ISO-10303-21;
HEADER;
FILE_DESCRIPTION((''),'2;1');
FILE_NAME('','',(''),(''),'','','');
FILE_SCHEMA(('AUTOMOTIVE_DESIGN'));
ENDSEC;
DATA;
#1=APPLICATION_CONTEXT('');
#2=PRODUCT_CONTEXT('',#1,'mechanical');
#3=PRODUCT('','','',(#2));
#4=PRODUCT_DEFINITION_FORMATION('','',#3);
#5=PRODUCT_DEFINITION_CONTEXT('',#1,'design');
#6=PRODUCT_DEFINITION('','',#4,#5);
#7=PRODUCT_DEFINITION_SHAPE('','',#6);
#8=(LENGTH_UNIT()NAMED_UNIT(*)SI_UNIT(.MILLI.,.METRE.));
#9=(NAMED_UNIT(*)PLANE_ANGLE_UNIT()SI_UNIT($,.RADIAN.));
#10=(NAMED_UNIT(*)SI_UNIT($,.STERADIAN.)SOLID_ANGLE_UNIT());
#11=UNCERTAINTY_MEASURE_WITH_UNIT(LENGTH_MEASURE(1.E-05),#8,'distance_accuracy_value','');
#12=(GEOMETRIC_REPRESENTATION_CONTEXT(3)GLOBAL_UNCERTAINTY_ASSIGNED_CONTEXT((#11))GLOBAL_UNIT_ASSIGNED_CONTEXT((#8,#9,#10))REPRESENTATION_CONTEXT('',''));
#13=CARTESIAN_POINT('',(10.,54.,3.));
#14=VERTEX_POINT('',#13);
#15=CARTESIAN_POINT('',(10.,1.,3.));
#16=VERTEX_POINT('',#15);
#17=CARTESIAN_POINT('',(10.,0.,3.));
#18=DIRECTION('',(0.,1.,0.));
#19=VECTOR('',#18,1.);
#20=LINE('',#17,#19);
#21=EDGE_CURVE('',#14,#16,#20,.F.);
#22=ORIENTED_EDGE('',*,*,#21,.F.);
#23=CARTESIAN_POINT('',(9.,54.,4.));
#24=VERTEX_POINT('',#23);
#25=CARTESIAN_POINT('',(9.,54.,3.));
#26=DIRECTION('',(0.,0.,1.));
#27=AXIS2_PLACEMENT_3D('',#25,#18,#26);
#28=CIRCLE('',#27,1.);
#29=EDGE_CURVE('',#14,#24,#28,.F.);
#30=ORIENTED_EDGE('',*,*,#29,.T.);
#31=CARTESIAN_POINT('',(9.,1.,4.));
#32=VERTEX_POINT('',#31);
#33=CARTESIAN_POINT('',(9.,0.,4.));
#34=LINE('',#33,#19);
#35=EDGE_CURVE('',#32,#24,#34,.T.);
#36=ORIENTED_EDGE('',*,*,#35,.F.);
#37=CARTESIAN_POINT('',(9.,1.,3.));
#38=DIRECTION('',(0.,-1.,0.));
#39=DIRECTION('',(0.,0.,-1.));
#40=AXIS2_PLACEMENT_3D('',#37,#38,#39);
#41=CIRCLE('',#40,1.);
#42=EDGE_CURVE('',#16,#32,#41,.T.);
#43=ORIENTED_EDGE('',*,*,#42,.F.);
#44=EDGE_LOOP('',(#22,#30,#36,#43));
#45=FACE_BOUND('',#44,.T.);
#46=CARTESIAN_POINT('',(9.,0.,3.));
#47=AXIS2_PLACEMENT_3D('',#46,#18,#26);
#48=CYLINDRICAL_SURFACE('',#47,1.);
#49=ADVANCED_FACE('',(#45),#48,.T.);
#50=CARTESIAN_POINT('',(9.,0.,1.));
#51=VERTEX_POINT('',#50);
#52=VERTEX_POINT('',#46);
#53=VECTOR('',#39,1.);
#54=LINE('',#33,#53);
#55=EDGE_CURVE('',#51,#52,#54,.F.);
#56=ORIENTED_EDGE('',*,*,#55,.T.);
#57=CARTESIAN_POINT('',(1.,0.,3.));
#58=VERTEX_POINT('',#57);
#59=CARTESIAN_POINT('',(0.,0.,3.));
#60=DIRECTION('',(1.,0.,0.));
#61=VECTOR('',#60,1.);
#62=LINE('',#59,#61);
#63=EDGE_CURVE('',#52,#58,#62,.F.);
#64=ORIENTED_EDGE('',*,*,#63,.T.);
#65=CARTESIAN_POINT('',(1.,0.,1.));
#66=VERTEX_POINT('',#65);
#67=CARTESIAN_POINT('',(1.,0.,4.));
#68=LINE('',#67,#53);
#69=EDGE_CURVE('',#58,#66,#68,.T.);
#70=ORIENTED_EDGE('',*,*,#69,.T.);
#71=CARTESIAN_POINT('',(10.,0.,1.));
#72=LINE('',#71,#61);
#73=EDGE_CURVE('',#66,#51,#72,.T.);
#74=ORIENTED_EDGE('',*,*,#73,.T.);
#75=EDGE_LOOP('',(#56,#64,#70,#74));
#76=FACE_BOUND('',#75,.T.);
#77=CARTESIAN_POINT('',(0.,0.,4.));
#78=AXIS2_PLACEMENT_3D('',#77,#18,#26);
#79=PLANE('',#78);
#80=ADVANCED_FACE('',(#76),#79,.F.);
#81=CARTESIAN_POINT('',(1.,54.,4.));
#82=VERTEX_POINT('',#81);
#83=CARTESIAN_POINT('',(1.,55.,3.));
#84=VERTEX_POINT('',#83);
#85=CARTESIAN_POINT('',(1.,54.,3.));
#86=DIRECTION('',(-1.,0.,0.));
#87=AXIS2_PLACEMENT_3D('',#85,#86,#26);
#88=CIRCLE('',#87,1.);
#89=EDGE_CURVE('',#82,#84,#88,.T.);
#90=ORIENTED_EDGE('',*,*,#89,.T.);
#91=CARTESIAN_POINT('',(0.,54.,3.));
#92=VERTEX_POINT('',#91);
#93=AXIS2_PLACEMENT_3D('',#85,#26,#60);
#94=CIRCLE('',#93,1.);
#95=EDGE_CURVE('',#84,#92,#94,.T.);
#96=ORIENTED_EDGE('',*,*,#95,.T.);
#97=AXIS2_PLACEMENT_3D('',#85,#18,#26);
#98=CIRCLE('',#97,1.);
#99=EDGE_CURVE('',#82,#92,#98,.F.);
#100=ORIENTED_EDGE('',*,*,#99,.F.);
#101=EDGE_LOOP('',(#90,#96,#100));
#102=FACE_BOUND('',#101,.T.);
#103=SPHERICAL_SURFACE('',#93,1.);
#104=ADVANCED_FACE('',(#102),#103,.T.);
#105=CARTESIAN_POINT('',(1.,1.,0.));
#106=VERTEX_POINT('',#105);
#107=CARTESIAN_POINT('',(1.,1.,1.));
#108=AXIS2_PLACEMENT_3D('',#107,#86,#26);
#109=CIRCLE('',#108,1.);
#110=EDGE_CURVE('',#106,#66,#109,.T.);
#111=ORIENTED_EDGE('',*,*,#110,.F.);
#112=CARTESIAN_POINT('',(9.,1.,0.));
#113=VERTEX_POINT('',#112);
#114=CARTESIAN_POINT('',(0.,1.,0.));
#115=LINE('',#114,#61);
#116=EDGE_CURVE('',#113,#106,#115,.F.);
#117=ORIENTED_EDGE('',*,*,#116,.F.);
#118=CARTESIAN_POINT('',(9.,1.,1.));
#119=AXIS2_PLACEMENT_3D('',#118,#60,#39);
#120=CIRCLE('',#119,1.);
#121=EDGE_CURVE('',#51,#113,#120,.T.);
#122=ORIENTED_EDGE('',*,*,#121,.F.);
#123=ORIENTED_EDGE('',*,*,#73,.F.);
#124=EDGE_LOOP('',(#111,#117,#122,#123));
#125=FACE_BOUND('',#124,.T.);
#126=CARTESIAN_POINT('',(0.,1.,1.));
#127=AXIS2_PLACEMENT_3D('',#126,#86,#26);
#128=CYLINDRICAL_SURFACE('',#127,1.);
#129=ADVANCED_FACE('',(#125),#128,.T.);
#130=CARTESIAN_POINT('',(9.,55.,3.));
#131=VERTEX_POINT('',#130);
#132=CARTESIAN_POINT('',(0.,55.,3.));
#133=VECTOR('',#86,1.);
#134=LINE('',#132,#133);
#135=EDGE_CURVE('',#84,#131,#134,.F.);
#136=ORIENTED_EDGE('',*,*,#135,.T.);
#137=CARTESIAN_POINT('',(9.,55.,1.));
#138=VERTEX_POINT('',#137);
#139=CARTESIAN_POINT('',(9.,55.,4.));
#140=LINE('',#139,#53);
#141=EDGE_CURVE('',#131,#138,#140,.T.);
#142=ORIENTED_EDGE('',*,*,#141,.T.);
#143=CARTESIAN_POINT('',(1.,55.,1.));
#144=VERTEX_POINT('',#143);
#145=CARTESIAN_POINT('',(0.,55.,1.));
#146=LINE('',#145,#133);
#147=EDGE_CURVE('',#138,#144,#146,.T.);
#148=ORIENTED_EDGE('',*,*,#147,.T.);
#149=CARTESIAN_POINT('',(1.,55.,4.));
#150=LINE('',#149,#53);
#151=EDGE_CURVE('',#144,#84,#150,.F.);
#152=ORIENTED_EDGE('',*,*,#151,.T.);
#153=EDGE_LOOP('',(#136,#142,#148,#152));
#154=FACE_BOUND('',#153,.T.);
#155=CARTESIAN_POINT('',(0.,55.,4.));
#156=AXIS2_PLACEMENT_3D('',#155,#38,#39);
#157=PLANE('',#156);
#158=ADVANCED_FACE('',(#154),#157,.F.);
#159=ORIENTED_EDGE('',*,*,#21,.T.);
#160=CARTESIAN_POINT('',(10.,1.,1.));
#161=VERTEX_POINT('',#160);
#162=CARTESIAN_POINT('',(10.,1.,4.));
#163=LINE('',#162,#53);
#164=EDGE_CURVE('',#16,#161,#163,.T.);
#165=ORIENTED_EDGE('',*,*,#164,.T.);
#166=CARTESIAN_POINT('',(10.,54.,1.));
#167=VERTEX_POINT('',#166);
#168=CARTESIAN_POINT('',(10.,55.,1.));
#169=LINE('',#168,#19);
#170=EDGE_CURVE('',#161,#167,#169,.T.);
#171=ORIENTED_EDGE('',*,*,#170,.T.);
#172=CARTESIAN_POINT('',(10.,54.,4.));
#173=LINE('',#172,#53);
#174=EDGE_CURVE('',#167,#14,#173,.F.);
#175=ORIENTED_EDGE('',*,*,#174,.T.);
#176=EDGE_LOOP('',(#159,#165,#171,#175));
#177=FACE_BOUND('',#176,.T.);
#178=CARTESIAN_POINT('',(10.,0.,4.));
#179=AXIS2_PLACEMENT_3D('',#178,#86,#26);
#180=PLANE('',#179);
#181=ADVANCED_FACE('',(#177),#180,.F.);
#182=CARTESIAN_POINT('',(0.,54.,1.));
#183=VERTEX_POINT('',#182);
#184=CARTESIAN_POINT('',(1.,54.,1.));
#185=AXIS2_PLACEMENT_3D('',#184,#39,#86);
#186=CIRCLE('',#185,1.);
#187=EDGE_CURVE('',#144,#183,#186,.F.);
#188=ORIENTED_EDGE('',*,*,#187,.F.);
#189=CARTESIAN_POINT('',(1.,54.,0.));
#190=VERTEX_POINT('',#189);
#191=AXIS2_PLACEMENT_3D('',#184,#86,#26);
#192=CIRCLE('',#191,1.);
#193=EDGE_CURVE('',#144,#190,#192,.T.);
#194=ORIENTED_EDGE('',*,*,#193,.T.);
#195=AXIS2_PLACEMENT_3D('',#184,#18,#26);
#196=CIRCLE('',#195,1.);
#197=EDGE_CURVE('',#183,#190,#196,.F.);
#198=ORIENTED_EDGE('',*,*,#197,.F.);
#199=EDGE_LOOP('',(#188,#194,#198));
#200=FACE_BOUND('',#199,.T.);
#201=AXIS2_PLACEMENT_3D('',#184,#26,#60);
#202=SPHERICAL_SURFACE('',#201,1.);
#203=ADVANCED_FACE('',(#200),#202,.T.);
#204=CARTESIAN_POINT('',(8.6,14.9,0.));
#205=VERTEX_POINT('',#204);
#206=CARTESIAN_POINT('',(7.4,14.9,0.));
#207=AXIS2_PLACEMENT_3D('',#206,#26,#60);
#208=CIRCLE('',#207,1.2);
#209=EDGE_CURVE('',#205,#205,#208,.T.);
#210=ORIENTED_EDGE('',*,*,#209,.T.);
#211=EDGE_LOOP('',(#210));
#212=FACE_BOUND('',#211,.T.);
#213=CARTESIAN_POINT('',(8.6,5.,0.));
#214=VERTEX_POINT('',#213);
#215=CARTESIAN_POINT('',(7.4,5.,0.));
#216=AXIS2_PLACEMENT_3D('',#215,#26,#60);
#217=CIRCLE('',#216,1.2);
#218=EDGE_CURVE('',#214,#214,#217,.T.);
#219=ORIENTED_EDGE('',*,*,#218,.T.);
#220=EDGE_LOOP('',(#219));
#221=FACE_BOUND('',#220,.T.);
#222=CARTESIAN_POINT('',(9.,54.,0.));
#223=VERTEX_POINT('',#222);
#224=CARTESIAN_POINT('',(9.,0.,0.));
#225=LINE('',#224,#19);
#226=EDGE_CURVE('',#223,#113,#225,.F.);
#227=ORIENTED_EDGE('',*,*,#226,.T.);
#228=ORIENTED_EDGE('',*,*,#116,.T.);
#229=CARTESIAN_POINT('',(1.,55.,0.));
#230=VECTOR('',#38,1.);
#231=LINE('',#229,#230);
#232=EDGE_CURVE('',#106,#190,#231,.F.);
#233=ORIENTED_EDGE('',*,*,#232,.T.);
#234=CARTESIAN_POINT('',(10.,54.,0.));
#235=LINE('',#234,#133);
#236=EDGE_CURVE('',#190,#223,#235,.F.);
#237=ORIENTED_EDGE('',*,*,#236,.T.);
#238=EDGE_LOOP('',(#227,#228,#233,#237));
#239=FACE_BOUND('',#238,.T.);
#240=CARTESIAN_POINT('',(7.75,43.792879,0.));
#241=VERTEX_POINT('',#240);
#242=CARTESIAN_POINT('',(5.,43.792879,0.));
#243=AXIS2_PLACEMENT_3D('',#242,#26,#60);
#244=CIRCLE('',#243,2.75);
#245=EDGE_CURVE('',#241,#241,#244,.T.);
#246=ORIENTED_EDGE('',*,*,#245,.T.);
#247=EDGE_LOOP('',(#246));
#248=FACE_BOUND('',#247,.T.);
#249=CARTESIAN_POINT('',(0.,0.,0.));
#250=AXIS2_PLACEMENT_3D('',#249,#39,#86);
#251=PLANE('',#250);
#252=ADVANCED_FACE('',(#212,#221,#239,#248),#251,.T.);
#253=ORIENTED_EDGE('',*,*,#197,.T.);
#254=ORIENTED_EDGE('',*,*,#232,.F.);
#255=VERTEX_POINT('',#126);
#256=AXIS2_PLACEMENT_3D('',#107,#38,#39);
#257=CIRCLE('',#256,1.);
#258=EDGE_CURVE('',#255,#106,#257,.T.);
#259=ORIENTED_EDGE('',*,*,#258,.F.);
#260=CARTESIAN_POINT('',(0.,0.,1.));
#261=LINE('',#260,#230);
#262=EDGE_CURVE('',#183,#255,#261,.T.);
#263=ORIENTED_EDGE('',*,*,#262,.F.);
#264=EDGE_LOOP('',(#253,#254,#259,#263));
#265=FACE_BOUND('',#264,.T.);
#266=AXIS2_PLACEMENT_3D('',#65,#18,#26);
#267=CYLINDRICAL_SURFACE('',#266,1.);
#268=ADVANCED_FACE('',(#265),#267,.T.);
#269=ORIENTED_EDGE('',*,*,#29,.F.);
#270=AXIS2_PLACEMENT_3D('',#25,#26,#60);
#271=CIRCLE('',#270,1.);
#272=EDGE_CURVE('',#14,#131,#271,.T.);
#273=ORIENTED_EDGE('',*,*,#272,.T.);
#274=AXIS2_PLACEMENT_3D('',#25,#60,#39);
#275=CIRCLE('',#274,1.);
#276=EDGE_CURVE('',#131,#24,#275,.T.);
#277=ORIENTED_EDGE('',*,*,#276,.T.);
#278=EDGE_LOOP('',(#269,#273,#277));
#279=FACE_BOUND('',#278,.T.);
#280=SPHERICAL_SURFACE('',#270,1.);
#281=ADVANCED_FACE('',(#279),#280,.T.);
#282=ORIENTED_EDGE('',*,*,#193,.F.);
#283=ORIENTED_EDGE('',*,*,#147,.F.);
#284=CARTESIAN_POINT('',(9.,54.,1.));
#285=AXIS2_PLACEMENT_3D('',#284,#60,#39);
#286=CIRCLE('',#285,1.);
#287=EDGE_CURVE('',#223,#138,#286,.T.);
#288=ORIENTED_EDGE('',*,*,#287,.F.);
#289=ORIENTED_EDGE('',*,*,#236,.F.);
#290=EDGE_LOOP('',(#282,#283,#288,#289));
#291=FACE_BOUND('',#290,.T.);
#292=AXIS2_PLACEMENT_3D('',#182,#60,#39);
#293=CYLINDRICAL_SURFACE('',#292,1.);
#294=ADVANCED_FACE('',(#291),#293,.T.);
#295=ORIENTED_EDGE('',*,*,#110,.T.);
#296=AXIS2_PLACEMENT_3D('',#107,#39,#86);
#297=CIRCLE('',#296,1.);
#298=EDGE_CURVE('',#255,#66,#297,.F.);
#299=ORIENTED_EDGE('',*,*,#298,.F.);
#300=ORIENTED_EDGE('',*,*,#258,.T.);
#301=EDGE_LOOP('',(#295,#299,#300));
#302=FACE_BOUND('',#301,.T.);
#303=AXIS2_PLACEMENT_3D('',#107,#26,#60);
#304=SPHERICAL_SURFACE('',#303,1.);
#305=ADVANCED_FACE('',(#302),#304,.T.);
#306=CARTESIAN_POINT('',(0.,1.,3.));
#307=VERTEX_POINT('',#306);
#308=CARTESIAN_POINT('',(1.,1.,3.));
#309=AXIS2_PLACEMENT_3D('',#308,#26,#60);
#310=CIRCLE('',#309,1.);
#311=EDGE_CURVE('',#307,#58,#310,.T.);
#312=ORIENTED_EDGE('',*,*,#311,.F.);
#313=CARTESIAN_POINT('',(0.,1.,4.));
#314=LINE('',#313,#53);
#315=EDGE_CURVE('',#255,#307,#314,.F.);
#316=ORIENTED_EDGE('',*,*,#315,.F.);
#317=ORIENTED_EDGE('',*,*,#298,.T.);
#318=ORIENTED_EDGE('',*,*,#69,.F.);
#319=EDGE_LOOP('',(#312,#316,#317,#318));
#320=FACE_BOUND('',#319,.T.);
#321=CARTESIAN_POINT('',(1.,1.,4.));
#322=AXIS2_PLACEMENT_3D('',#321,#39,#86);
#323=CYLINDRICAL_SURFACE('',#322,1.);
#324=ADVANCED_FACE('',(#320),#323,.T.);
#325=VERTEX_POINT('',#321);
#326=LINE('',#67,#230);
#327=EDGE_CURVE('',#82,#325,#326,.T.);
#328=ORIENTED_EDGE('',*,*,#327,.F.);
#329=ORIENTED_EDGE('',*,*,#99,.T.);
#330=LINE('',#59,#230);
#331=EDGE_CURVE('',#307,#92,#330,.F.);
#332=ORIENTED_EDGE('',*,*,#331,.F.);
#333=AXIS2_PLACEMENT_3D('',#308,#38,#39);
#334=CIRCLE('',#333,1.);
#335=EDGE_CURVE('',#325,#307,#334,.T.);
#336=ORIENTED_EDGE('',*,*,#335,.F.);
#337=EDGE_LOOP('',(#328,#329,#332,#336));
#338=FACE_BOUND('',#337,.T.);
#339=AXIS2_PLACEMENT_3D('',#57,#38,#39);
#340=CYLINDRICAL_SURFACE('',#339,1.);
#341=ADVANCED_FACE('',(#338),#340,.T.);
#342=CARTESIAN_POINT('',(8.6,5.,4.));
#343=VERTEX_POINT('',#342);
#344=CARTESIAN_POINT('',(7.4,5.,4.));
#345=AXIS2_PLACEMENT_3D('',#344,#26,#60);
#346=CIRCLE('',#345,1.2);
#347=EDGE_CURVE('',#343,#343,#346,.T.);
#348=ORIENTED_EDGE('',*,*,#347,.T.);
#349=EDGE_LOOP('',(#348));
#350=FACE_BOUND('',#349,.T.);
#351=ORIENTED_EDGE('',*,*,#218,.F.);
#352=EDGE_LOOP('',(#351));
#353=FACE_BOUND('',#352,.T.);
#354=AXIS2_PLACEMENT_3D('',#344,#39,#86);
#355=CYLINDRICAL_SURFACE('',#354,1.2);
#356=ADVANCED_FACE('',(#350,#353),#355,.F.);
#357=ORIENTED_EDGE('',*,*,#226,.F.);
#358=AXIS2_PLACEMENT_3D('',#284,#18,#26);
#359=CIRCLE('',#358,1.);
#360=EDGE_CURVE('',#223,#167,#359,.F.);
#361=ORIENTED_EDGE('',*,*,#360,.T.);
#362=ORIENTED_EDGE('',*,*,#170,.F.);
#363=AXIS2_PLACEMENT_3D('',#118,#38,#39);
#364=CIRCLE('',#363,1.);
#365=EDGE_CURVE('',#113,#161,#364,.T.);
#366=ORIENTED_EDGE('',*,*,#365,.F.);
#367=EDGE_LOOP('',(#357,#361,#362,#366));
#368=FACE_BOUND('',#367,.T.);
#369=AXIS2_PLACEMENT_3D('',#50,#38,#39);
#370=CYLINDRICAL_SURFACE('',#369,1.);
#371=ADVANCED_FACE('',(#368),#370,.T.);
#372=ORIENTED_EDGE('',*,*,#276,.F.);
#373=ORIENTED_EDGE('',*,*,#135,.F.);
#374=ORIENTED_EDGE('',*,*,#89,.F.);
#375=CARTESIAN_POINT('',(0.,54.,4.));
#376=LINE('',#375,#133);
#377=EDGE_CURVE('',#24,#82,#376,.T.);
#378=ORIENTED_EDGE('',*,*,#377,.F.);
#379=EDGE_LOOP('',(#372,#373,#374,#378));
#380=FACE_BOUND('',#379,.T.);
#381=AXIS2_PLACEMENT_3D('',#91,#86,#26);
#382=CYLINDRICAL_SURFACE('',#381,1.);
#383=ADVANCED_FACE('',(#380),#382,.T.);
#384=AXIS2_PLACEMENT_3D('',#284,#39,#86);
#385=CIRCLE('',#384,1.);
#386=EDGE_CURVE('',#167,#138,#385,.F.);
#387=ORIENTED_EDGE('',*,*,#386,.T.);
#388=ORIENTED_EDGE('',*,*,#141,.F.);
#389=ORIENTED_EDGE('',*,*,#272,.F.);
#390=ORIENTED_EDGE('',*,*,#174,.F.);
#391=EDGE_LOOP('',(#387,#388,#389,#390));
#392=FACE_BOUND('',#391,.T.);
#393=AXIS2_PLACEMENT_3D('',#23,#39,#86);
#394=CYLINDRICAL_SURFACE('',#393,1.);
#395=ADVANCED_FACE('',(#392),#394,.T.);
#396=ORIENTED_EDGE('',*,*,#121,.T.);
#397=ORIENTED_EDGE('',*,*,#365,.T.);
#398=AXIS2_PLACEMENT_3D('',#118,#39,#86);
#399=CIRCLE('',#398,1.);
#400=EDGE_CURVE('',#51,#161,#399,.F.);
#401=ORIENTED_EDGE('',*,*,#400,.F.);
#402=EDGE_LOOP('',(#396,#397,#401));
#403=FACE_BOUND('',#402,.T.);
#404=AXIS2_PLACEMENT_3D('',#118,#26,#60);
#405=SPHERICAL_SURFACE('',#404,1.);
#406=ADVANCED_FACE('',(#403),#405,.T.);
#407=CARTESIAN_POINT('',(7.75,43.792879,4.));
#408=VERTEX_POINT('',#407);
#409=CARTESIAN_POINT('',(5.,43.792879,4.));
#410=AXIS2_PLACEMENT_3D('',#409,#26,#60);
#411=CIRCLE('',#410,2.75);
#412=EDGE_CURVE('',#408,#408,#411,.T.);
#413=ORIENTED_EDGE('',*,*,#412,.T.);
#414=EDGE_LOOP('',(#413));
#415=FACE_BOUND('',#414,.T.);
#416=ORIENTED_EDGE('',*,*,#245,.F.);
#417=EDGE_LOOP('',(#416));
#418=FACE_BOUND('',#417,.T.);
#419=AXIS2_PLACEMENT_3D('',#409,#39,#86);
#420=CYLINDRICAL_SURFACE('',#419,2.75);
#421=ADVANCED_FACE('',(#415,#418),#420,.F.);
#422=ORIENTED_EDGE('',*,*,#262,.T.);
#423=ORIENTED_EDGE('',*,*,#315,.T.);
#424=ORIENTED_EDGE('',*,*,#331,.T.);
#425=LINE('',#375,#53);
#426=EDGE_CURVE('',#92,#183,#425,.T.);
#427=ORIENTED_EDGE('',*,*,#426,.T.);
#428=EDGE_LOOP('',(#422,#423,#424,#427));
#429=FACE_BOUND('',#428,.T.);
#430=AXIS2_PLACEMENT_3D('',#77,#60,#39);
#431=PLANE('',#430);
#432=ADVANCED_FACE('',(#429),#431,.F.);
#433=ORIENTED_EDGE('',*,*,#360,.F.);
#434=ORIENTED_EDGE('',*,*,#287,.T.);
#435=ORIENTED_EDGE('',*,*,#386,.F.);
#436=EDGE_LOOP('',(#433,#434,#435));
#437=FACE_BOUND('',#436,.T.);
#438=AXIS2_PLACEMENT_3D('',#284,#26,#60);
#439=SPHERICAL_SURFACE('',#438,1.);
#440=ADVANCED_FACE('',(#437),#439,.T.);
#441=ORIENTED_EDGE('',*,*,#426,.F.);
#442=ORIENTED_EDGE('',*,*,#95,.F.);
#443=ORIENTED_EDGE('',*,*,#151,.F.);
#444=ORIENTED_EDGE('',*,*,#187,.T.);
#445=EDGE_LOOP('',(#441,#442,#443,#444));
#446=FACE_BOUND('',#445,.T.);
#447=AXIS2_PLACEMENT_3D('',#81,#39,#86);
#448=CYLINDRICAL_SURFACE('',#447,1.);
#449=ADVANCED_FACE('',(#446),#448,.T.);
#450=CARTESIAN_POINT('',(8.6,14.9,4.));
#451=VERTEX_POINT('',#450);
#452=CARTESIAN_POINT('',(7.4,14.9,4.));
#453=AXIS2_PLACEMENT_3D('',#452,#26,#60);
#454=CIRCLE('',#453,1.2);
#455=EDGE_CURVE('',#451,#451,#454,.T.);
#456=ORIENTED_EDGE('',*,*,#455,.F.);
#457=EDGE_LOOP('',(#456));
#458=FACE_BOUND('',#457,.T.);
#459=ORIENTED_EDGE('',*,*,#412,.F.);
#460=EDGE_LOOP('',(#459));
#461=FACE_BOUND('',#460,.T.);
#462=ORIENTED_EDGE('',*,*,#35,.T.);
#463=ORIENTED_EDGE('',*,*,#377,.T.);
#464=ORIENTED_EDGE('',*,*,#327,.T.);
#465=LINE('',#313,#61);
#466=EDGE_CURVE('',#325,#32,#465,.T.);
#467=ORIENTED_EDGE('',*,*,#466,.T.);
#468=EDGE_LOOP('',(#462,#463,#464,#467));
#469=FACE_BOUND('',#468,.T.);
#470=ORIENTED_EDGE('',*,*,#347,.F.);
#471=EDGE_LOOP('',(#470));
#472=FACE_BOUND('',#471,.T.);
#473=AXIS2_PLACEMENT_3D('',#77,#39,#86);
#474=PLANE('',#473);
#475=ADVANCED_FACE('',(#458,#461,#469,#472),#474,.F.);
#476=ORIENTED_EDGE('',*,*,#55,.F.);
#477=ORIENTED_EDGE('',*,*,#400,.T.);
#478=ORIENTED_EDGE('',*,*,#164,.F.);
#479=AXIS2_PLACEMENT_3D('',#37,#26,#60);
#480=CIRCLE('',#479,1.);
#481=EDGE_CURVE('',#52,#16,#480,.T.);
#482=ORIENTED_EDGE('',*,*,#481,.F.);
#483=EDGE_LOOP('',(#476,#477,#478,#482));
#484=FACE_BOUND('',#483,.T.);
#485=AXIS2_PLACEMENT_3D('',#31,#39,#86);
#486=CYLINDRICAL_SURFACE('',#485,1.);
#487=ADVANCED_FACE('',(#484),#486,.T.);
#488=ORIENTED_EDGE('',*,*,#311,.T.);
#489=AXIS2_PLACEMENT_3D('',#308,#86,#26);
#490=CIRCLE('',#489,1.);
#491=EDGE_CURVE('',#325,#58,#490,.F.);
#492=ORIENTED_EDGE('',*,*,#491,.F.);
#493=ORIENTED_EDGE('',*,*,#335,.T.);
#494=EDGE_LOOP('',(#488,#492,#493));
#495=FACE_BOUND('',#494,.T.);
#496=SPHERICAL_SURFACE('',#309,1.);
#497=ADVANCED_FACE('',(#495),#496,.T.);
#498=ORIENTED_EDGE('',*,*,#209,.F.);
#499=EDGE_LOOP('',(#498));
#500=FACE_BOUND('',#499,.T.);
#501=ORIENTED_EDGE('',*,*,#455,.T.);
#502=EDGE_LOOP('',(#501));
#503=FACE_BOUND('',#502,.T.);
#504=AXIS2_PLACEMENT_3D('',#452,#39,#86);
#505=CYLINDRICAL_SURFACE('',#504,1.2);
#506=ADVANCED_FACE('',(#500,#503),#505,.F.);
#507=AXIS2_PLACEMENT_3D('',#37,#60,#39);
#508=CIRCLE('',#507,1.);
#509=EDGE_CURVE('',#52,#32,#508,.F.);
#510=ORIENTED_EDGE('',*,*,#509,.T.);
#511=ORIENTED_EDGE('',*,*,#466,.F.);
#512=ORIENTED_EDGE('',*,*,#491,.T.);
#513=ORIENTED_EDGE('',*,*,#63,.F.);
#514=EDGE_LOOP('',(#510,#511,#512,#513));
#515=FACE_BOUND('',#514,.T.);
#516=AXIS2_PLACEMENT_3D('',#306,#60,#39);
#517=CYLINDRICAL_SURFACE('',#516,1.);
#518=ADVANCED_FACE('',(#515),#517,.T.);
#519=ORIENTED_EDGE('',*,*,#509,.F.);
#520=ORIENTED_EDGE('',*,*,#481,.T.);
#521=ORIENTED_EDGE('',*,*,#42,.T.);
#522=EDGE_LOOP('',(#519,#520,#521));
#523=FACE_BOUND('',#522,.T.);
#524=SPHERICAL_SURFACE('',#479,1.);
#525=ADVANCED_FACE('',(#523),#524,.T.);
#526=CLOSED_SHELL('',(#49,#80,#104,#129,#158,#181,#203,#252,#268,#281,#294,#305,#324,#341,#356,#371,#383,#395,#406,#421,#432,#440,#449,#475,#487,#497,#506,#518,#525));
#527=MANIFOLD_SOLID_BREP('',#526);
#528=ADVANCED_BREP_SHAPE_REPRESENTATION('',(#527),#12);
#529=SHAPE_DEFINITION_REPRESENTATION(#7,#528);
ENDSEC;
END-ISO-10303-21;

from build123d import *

# Parameters (mm, degrees)
SKETCH1_W           = 10
SKETCH1_H           = 55
SKETCH1_R           = 1.2
SKETCH1_R_2         = 2.75
BOSS_EXTRUDE1_DEPTH = 4
FILLET1_R           = 1


with BuildPart() as part:
    # Sketch1 → Boss-Extrude1 (new body)
    with BuildSketch(Plane.XY):
        with Locations((5, 27.5)):
            Rectangle(SKETCH1_W, SKETCH1_H)
        with Locations((7.4, 5)):
            Circle(SKETCH1_R, mode=Mode.SUBTRACT)
        with Locations((7.4, 14.9)):
            Circle(SKETCH1_R, mode=Mode.SUBTRACT)
        with Locations((5, 43.792878619)):
            Circle(SKETCH1_R_2, mode=Mode.SUBTRACT)
    extrude(amount=BOSS_EXTRUDE1_DEPTH)

    # Fillet1
    fillet1_edges = [part.edges().sort_by_distance(p)[0] for p in [
        (10, 27.5, 4),
        (5, 55, 4),
        (0, 27.5, 4),
        (5, 55, 0),
        (10, 27.5, 0),
        (5, 0, 0),
        (0, 27.5, 0),
        (0, 55, 2),
        (10, 55, 2),
        (10, 0, 2),
        (0, 0, 2),
        (5, 0, 4),
    ]]
    fillet(fillet1_edges, radius=FILLET1_R)


solid = part.part
